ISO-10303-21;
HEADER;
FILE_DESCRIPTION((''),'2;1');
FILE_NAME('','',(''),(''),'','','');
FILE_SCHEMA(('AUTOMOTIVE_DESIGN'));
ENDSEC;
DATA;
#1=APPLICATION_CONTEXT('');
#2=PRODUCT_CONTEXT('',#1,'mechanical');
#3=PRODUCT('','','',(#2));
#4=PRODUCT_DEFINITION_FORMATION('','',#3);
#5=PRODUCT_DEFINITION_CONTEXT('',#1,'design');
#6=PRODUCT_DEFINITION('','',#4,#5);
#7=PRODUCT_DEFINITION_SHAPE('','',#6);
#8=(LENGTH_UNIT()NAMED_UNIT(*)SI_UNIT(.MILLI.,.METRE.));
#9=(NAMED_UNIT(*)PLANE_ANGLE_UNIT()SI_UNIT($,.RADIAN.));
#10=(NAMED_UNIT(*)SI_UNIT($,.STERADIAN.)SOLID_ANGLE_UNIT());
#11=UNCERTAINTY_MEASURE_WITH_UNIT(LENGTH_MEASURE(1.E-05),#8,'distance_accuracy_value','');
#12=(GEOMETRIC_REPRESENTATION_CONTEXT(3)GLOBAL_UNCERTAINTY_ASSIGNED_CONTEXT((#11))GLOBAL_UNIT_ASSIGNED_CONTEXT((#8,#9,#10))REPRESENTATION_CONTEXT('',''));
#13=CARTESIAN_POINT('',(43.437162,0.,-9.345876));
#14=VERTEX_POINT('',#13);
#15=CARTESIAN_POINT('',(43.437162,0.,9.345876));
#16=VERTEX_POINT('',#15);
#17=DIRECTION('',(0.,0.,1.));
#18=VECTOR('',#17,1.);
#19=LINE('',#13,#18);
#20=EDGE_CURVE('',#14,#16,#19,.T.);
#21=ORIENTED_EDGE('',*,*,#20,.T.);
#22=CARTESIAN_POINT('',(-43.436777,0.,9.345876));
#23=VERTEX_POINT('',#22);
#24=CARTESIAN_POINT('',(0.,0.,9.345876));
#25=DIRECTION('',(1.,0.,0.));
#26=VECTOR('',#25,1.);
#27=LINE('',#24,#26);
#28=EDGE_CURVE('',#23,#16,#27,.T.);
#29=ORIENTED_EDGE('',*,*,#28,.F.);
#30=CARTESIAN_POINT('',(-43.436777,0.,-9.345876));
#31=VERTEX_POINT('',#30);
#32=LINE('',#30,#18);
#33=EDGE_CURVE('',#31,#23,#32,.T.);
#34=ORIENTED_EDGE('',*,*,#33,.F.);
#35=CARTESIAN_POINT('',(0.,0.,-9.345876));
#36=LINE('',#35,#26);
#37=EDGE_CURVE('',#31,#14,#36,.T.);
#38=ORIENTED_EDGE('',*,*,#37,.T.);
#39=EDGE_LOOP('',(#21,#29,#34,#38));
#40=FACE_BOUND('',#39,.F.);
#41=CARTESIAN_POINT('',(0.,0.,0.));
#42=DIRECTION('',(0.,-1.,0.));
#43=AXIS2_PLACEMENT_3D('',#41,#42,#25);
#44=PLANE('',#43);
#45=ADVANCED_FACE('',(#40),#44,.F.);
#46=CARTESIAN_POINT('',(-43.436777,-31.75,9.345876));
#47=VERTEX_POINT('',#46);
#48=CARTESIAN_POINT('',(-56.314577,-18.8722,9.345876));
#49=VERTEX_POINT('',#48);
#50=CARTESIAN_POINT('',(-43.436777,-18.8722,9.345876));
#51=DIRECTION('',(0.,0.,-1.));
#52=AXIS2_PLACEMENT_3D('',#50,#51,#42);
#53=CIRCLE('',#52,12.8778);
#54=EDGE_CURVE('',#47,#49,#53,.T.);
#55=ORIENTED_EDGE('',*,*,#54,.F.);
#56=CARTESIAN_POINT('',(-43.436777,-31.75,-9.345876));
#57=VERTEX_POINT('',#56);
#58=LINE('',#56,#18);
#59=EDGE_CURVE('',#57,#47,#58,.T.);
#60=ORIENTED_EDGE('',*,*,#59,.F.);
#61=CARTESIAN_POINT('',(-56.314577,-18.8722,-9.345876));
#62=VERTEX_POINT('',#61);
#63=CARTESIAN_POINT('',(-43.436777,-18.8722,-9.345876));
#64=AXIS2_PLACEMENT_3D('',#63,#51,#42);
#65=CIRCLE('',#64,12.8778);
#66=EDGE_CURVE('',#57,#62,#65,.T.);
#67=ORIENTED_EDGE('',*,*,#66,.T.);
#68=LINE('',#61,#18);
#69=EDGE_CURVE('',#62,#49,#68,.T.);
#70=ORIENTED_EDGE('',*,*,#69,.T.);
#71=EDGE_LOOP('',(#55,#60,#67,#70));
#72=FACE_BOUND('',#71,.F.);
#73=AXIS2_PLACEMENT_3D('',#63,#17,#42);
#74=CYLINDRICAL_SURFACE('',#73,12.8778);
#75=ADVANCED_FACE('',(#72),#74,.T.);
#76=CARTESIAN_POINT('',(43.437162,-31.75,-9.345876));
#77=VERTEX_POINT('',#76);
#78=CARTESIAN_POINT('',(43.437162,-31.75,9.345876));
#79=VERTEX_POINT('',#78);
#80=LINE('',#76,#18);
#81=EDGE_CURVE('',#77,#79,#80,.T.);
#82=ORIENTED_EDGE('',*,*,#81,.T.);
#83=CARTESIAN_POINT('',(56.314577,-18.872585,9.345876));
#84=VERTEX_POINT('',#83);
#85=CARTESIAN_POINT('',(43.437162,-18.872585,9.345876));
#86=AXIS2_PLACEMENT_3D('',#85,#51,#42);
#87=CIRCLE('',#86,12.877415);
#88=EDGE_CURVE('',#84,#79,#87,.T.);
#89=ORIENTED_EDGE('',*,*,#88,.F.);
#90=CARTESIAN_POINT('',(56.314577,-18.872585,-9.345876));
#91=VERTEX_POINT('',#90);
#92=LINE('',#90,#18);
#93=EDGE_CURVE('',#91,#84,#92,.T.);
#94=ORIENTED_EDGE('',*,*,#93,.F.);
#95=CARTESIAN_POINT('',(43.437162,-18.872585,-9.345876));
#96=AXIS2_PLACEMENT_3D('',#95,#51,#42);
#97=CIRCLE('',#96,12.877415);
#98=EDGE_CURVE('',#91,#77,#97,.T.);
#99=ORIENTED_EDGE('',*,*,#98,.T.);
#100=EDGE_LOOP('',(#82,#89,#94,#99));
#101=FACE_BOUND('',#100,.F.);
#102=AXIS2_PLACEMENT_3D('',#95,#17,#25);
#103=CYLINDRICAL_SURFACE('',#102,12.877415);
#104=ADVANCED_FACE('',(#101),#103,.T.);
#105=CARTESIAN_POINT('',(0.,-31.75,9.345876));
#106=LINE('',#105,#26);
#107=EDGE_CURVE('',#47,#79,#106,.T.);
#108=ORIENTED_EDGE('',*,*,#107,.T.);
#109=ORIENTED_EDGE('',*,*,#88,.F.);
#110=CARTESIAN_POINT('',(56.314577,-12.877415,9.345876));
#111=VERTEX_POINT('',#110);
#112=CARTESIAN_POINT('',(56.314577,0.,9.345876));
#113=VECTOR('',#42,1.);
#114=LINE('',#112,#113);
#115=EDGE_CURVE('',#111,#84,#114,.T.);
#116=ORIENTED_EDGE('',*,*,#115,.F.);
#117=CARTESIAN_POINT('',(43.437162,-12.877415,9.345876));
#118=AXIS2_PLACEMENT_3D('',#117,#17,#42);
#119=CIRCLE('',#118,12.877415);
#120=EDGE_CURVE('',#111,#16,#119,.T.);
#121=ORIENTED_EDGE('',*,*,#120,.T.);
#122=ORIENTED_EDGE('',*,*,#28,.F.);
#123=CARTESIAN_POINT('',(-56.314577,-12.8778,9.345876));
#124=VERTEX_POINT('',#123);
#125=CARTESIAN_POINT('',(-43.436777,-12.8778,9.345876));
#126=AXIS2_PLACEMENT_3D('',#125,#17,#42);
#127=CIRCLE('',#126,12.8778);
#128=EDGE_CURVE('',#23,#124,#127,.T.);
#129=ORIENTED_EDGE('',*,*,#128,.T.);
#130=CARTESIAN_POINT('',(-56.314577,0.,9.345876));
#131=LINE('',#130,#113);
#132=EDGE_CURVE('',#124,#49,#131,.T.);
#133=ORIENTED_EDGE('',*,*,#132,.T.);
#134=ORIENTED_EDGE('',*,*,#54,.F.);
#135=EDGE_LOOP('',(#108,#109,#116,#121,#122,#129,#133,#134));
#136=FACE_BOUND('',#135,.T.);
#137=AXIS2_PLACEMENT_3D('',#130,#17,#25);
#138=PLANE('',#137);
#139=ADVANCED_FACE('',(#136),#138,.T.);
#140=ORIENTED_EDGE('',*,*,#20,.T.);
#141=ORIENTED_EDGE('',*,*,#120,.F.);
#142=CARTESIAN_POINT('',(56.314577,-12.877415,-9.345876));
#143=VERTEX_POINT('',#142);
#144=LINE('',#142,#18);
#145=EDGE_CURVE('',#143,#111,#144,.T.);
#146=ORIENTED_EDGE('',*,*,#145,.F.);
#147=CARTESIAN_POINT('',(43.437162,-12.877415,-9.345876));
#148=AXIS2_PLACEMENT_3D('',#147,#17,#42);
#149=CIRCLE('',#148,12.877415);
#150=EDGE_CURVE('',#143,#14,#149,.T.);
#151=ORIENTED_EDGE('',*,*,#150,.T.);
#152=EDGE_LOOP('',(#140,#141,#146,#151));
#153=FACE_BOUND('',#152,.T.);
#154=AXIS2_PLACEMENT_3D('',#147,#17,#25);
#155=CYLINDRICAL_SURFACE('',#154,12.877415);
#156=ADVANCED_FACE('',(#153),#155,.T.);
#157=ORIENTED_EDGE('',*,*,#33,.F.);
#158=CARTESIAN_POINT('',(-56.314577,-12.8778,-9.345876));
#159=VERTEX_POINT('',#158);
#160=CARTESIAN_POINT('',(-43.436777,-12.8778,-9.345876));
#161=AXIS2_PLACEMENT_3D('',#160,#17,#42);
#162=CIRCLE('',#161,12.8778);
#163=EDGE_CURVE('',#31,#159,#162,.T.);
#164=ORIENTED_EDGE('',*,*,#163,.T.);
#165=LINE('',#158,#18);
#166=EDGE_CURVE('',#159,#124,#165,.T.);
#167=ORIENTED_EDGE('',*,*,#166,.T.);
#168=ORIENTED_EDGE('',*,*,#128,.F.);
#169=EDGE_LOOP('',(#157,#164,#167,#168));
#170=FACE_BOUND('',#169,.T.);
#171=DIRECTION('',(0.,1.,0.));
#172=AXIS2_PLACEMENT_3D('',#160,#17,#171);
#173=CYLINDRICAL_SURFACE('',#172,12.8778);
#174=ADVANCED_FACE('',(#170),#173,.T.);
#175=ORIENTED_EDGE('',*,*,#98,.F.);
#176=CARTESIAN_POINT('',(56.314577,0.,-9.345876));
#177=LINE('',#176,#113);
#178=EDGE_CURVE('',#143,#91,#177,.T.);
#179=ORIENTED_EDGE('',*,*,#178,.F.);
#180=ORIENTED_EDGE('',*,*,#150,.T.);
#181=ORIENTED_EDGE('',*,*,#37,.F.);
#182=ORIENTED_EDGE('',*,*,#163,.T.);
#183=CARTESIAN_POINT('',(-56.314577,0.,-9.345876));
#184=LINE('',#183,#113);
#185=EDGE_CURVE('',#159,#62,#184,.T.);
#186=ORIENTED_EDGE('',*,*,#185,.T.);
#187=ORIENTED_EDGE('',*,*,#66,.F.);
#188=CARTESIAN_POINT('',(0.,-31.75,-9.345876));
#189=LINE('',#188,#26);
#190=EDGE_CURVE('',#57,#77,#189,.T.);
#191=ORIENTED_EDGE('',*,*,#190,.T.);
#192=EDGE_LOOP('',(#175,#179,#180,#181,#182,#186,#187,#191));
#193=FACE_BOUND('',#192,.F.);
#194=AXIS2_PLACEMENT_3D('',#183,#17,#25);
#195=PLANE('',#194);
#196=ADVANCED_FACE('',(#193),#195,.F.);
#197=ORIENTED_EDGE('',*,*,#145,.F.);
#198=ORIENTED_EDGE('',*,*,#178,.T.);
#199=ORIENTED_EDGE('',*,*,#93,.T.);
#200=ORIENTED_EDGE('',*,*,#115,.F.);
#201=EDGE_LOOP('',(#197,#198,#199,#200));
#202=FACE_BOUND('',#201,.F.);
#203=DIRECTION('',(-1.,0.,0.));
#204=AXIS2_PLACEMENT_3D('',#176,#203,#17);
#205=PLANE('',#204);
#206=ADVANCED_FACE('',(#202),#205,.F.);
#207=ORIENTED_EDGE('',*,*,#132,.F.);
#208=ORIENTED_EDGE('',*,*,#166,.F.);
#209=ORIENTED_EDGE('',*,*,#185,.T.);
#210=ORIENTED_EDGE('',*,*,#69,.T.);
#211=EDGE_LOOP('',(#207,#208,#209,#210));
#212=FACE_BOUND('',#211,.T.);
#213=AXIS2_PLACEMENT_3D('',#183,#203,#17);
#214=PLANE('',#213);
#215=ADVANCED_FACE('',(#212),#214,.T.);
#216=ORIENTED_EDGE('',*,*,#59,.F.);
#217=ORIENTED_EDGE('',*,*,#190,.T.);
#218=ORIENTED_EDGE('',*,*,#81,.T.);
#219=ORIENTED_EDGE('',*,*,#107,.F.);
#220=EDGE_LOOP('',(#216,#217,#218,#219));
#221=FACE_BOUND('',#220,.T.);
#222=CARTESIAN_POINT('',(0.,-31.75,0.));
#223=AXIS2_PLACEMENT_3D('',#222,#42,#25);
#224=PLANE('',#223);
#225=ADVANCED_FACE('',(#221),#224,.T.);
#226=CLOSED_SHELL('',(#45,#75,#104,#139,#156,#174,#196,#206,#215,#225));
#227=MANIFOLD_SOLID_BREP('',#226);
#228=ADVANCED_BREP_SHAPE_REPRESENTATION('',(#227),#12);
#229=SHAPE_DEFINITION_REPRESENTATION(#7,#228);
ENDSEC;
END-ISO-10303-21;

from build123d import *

# Parameters (mm, degrees)
F0_W     = 112.629154
F0_H     = 18.691752
F1_DEPTH = 31.75
F2_R     = 12.877415
F3_R     = 12.8778


with BuildPart() as f1:
    # F0 (on Front) → F1 (new body)
    with BuildSketch(Plane.XZ):
        Rectangle(F0_W, F0_H)
    extrude(amount=F1_DEPTH)

    # F2
    f2_edges = [f1.edges().sort_by_distance(p)[0] for p in [
        (56.314577, 0, 0),
        (56.314577, -31.75, 0),
    ]]
    fillet(f2_edges, radius=F2_R)

    # F3
    f3_edges = [f1.edges().sort_by_distance(p)[0] for p in [
        (-56.314577, 0, 0),
        (-56.314577, -31.75, 0),
    ]]
    fillet(f3_edges, radius=F3_R)


solid = f1.part
